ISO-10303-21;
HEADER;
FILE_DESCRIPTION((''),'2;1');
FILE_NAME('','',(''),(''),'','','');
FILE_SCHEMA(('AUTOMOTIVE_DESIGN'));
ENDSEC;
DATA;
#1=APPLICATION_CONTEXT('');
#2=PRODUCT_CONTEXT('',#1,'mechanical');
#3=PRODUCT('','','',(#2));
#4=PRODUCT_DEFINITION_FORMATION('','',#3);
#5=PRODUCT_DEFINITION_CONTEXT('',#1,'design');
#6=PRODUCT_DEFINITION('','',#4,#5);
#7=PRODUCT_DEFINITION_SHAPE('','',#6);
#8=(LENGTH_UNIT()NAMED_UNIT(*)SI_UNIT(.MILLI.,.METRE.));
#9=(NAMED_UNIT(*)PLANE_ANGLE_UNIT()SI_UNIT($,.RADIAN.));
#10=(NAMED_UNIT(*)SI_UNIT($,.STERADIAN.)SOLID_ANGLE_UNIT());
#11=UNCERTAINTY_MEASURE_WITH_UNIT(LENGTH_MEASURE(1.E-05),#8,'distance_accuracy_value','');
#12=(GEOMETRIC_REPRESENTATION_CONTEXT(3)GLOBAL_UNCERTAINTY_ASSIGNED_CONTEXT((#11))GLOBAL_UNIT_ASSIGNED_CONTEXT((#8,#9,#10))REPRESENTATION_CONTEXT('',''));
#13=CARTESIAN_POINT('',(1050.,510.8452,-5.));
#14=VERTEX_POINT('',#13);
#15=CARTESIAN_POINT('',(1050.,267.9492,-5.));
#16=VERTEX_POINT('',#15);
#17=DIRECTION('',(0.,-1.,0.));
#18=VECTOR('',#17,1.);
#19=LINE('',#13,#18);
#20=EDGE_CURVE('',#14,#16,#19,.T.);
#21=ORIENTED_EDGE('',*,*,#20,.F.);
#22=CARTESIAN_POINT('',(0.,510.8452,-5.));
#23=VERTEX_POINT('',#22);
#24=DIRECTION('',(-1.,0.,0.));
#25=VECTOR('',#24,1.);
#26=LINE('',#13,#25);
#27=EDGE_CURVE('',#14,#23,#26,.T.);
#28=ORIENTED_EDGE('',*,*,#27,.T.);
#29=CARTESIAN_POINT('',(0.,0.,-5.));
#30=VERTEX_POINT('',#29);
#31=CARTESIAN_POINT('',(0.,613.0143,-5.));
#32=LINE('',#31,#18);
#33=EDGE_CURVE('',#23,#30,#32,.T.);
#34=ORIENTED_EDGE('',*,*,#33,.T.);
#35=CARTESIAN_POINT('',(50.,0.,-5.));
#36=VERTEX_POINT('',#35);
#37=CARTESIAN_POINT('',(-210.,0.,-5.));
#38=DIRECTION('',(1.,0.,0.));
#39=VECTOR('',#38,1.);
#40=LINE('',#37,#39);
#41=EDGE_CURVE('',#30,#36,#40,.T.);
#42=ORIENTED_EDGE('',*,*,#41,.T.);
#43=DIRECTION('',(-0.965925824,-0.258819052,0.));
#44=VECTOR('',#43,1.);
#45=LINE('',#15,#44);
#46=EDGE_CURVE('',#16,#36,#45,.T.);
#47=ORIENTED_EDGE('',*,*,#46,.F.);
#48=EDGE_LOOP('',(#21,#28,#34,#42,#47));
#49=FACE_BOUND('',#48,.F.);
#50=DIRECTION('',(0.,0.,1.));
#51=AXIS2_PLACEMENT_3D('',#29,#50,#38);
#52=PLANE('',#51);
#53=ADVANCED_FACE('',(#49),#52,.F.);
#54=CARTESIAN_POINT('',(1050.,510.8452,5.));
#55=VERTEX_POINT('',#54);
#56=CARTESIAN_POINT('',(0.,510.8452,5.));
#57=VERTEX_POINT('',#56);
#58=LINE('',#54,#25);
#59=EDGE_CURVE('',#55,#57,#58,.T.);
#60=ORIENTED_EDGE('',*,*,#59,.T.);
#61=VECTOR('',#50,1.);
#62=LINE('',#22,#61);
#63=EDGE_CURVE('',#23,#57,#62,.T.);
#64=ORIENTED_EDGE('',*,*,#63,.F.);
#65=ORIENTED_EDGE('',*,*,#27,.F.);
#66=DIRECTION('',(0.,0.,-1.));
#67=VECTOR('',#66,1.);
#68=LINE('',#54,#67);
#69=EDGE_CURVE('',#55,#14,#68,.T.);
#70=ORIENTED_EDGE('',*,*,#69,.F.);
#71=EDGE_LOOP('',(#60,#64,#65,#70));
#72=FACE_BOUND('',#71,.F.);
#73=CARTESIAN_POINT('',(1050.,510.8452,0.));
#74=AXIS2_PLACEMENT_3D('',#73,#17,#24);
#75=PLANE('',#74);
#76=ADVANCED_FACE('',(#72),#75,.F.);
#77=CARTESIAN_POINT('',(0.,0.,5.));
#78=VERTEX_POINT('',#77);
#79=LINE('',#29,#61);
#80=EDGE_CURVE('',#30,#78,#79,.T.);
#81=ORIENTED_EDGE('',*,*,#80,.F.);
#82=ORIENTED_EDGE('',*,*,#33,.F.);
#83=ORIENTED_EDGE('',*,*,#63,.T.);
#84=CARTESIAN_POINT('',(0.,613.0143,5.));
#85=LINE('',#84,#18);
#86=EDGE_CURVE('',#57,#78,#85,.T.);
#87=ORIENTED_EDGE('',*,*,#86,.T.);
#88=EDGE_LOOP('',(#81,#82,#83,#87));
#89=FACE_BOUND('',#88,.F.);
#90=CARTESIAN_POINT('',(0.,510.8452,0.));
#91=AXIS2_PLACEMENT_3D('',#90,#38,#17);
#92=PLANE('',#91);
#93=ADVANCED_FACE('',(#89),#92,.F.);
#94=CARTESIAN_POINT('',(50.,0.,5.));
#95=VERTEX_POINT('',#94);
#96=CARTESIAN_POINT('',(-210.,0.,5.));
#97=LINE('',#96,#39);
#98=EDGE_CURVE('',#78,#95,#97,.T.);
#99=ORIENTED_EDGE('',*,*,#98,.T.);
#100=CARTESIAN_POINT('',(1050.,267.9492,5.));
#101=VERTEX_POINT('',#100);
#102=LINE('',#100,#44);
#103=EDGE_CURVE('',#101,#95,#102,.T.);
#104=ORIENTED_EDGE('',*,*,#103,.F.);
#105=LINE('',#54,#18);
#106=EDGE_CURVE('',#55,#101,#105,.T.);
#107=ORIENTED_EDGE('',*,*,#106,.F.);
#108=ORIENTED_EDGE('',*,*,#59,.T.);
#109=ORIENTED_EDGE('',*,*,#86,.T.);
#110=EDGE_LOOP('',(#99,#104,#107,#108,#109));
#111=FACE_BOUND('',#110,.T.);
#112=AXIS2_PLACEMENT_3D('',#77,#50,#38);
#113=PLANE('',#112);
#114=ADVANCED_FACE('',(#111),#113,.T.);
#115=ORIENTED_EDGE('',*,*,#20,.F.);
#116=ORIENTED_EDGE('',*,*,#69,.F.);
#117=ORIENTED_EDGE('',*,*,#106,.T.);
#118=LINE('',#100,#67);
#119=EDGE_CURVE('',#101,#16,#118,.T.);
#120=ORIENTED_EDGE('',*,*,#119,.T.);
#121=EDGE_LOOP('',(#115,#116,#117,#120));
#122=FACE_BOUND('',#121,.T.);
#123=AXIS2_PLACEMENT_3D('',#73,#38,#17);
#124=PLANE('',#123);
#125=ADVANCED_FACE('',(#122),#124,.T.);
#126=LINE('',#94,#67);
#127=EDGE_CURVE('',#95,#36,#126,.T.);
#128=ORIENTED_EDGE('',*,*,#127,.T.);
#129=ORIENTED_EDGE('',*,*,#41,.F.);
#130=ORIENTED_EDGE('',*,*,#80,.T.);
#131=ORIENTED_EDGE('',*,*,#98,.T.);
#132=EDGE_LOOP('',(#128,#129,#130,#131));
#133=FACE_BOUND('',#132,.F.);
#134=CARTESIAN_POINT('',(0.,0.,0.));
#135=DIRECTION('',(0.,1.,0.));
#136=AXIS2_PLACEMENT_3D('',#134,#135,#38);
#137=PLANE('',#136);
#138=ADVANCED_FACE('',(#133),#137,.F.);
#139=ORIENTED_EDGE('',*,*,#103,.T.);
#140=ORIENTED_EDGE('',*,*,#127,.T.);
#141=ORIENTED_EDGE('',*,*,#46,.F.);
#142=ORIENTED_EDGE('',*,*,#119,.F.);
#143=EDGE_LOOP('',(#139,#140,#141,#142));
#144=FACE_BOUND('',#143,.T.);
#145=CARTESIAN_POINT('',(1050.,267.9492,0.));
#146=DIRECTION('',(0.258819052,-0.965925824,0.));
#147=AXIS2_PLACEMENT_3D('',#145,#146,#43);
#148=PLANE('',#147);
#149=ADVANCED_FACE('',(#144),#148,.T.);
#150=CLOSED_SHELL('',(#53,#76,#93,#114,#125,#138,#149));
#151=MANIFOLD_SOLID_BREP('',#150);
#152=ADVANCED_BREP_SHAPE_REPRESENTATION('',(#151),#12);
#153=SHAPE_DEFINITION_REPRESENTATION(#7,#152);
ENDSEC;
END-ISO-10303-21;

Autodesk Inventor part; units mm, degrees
sketch "Эскиз1" plane through (0, 0, 0) normal (0, 0, 1) x (1, 0, 0)
  line L0 (0, 613.0143) -> (0, -102.169) projected
  line L1 (-210, 0) -> (1260, 0) projected
  line L2 (0, 0) -> (50, 0)
  line L3 (1050, 510.8452) -> (0, 510.8452)
  line L4 (0, 0) -> (0, 510.8452)
  line L5 (1050, 510.8452) -> (1050, 267.9492)
  line L6 (1050, 267.9492) -> (50, 0)
  dimension "d7" = 1050
  dimension "d8" = 50
  dimension "d9" = 15
extrude "Выдавливание1" add sketch "Эскиз1" along normal mid plane 10
properties part number "ДетальДударь"
